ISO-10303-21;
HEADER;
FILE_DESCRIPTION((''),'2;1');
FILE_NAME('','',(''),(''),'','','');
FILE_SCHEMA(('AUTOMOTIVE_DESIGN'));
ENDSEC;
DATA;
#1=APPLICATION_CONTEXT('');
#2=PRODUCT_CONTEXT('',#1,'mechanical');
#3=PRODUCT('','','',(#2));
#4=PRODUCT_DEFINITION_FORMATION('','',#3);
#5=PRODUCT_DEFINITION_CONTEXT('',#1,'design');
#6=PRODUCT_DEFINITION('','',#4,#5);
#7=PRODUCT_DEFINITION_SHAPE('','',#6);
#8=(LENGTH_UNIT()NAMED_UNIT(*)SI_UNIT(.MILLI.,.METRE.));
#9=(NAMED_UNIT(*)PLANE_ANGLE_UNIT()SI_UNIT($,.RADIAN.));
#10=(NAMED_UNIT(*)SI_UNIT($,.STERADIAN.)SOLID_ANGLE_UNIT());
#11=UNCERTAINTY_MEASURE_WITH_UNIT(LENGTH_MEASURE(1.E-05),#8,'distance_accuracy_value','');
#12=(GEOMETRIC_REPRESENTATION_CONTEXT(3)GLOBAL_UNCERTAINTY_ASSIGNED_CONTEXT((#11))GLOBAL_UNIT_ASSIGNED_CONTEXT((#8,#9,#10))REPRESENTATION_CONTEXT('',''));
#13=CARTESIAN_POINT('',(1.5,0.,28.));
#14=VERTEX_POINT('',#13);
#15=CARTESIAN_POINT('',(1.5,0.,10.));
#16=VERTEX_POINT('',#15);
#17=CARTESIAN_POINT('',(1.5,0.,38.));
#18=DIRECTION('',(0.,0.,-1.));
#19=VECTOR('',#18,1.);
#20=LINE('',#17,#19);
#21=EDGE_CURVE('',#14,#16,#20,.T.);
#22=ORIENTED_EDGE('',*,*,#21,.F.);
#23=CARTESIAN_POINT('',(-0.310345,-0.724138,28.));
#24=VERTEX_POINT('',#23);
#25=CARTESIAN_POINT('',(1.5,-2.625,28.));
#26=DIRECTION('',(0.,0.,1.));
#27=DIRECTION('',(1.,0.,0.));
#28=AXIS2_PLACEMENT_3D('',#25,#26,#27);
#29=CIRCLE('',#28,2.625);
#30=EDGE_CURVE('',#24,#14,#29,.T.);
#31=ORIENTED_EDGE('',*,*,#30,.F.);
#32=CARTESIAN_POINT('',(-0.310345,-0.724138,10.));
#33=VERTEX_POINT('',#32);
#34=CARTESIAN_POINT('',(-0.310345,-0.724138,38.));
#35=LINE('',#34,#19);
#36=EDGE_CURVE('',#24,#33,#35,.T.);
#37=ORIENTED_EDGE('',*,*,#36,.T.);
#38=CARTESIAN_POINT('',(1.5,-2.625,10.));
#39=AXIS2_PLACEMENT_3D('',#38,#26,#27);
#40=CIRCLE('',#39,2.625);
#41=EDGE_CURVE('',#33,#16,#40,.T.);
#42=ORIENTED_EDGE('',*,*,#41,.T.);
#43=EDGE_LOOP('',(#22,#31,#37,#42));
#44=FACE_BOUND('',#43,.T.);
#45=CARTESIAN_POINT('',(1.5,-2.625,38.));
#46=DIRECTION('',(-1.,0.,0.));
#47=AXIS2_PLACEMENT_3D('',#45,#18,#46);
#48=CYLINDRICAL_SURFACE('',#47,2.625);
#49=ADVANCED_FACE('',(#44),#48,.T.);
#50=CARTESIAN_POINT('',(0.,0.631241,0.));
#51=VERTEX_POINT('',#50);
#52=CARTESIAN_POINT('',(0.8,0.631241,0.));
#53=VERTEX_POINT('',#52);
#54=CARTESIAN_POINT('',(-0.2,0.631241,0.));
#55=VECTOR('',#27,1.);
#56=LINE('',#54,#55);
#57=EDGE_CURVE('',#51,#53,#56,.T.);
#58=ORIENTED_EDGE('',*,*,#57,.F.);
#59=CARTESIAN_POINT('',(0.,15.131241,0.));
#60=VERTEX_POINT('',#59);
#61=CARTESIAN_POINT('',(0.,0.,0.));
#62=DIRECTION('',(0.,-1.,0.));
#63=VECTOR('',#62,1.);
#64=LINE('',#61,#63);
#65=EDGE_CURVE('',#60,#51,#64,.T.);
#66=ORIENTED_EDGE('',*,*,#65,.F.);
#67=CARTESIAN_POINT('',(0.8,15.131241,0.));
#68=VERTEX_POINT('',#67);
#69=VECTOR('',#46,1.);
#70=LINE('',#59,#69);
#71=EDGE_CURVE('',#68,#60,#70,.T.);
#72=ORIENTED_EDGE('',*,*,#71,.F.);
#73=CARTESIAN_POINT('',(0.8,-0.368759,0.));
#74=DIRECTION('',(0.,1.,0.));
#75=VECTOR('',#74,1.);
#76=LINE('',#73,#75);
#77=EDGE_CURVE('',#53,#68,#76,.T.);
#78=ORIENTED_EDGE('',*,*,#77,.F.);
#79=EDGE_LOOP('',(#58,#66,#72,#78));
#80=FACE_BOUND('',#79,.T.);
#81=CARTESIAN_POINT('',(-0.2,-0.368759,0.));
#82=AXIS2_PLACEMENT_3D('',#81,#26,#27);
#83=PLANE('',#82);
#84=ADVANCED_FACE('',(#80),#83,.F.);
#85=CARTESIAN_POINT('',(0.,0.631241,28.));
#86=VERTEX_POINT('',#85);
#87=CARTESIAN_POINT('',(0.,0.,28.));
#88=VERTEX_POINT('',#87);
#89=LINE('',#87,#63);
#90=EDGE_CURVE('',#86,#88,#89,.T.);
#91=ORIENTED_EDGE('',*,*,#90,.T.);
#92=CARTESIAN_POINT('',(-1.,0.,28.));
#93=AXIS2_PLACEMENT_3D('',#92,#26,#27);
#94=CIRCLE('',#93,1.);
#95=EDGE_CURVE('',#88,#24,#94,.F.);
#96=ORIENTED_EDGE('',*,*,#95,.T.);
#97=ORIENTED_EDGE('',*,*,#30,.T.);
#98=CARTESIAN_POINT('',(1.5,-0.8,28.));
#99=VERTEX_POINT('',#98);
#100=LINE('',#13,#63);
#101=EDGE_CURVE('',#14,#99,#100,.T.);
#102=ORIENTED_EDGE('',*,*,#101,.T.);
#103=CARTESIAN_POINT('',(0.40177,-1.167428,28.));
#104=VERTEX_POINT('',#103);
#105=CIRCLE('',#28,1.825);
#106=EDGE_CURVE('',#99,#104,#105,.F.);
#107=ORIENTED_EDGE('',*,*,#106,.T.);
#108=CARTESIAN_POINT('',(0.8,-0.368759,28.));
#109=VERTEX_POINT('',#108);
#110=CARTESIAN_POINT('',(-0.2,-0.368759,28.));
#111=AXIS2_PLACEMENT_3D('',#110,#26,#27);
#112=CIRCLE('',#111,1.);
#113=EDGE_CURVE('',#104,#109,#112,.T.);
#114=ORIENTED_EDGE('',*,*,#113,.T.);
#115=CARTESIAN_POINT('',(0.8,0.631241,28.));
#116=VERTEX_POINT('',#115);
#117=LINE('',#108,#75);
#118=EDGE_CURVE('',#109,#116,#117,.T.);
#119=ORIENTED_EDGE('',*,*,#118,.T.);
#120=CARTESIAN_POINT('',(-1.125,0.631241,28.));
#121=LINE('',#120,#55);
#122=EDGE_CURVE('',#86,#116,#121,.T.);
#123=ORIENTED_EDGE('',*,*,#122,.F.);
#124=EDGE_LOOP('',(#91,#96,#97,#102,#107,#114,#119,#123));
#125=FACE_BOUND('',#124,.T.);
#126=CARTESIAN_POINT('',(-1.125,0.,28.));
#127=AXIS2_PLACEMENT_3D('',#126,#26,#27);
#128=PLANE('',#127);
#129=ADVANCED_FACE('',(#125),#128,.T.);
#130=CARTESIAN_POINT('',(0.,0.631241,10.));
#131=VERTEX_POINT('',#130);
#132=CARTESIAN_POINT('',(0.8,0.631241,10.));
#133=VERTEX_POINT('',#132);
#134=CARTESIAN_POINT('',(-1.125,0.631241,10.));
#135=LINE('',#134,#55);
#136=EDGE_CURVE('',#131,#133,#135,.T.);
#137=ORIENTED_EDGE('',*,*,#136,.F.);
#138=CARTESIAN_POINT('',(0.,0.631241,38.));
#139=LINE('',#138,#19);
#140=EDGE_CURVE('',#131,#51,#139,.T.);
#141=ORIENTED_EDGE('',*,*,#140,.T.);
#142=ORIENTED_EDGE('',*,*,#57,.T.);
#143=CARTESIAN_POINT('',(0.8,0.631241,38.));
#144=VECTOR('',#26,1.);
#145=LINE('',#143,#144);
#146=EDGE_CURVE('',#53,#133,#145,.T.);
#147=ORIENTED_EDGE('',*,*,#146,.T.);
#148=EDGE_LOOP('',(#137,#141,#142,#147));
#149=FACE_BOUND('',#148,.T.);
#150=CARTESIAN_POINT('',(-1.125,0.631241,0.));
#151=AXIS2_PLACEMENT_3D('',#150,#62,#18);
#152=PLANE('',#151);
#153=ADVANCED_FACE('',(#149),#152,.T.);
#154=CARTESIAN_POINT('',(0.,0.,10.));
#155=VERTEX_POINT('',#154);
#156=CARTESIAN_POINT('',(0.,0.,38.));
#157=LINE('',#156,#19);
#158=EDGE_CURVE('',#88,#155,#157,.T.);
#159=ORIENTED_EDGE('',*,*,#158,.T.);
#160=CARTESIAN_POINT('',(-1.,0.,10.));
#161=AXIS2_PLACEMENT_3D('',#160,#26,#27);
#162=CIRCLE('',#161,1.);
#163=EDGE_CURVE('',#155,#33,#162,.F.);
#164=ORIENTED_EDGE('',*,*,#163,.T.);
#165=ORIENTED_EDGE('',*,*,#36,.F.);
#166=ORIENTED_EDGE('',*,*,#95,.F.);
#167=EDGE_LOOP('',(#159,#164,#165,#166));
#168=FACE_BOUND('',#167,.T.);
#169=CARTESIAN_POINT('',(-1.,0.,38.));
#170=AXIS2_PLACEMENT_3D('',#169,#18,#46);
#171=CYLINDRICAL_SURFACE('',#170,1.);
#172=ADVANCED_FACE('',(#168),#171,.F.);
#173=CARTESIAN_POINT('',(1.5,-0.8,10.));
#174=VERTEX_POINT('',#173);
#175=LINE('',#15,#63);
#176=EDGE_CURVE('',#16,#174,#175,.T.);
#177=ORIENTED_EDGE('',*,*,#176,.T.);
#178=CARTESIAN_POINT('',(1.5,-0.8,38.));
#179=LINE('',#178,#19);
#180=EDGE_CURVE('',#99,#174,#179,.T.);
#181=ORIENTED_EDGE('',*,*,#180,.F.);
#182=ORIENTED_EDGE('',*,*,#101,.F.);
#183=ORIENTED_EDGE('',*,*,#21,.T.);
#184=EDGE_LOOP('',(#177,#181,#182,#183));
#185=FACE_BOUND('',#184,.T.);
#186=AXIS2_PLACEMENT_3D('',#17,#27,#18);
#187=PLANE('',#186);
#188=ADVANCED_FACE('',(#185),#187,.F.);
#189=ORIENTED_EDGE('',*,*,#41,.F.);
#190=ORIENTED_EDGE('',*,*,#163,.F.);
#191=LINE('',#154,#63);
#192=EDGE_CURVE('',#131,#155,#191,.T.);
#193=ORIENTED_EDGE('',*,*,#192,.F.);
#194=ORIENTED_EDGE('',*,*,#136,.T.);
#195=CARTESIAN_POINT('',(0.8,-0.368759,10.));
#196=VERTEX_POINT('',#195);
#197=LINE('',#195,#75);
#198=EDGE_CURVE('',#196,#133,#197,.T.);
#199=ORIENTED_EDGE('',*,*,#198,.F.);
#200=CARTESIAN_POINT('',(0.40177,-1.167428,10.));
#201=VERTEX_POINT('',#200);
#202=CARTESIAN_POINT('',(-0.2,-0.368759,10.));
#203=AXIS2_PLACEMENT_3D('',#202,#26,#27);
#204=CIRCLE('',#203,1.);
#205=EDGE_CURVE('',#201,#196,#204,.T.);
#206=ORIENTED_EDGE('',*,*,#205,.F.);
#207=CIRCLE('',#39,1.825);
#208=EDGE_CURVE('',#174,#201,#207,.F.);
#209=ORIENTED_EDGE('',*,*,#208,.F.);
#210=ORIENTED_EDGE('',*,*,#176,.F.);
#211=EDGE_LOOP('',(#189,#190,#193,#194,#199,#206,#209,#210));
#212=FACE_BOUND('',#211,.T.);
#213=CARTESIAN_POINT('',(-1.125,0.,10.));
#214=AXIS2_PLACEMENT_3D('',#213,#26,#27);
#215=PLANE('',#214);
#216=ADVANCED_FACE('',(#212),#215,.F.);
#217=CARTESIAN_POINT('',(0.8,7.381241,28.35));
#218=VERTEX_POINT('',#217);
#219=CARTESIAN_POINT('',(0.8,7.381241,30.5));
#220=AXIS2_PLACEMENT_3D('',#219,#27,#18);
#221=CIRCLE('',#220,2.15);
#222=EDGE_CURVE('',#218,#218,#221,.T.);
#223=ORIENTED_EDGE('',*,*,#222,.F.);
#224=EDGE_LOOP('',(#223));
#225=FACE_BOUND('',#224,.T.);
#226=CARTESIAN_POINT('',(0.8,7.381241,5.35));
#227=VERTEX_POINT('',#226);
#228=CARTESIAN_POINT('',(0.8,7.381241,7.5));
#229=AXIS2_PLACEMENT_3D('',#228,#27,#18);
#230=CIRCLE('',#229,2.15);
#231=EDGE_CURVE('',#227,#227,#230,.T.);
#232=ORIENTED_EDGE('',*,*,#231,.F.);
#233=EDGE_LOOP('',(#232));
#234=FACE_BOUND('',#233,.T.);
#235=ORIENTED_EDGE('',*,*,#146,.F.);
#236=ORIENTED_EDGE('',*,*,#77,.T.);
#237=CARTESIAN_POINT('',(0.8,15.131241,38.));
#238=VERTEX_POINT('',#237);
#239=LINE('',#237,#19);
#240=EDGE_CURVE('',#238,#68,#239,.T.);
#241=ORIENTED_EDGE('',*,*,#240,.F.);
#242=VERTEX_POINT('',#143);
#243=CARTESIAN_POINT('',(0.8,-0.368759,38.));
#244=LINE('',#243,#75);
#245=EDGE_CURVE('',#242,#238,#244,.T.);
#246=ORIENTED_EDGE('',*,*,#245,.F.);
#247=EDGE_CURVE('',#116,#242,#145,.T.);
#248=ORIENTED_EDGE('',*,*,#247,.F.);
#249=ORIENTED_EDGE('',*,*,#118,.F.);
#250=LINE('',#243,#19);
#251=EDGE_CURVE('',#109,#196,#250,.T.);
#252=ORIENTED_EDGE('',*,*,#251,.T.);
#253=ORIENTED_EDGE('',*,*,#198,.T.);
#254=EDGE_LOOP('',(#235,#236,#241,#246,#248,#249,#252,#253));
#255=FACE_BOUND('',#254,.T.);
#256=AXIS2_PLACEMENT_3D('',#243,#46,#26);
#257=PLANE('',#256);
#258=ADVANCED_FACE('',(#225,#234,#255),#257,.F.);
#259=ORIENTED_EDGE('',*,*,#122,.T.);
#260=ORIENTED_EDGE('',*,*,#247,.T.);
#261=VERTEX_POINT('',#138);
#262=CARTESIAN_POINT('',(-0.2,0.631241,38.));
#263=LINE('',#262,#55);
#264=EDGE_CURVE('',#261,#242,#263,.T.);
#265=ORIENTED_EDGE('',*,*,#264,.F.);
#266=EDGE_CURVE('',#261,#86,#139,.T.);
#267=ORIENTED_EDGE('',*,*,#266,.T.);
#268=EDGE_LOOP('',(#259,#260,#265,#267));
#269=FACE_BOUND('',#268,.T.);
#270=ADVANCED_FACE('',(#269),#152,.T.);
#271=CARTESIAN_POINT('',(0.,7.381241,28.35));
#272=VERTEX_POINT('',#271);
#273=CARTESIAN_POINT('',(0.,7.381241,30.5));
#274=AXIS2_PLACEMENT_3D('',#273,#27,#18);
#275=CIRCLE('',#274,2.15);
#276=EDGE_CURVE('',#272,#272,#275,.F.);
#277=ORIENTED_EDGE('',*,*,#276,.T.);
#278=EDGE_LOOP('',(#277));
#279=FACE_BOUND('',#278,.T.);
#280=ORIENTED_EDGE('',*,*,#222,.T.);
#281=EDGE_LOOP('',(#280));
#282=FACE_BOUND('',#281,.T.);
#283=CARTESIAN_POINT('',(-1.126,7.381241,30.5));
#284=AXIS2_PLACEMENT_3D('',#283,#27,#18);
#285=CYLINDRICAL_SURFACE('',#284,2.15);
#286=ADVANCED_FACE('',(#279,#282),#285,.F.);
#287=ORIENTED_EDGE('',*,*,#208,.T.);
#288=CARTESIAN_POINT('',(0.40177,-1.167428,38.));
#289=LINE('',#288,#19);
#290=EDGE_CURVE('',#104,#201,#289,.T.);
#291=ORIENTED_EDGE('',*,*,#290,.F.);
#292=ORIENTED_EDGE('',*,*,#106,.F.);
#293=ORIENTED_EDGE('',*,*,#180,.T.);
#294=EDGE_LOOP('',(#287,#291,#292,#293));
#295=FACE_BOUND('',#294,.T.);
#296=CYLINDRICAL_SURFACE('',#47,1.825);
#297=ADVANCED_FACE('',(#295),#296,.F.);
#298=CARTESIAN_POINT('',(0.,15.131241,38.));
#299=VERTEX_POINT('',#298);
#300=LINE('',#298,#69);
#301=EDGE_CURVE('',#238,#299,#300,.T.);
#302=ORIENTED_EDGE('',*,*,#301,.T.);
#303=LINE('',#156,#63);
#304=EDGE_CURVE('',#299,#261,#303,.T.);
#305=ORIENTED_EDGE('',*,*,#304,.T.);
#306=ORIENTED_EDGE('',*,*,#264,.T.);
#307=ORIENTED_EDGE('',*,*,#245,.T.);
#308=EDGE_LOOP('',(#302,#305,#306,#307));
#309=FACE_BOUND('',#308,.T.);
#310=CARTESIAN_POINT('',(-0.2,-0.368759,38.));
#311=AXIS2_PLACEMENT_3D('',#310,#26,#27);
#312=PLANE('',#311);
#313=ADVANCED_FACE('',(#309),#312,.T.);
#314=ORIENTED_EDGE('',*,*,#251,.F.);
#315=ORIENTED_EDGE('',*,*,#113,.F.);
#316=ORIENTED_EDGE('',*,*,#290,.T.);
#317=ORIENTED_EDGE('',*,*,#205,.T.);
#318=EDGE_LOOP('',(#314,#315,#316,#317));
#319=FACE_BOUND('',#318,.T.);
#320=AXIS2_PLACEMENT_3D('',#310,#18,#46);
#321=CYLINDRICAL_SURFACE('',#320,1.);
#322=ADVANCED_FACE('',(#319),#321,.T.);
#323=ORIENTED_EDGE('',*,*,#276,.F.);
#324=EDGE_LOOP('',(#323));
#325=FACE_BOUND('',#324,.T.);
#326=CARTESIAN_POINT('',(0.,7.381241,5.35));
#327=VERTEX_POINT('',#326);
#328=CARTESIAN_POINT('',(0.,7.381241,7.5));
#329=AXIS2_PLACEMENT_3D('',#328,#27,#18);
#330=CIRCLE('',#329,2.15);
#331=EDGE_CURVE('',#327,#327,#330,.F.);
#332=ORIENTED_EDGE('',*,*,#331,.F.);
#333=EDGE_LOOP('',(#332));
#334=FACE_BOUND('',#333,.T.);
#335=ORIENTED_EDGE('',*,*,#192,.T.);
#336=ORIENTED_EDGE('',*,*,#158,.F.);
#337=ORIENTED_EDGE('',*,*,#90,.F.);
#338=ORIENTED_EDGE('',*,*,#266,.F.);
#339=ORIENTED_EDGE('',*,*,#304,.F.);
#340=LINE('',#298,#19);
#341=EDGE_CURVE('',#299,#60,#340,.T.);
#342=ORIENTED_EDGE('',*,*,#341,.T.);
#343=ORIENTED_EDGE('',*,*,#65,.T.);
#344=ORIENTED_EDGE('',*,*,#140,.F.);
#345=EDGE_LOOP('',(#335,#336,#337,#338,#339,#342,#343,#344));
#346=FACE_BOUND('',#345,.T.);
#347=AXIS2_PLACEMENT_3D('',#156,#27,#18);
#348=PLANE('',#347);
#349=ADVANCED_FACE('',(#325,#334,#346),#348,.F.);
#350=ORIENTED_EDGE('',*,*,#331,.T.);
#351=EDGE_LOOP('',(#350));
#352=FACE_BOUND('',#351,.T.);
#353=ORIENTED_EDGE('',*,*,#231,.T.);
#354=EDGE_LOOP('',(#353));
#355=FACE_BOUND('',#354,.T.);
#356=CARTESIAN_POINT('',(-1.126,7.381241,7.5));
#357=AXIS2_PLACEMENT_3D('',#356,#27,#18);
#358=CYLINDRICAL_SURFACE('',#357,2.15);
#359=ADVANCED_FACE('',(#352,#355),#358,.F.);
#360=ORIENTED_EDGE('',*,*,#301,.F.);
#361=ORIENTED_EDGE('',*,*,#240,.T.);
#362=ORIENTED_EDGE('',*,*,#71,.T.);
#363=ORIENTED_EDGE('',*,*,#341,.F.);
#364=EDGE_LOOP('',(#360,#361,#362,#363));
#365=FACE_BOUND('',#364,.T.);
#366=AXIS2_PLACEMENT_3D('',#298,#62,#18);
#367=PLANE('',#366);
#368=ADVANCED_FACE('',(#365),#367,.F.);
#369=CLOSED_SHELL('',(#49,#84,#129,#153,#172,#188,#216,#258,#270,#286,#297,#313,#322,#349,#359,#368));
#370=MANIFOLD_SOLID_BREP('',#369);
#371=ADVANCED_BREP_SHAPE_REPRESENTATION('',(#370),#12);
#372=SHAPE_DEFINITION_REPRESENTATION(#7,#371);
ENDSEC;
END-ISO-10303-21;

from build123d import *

# Parameters (mm, degrees)
BOSS_EXTRUDE1_DEPTH     = 38
CUT_EXTRUDE1_REACH      = 43.037
SKETCH2_R               = 2.15
CUT_EXTRUDE4_DEPTH      = 42.036691991
CUT_EXTRUDE4_DEPTH_BACK = 42.036691991
SKETCH3_W               = 10
SKETCH3_H               = 1
SKETCH3_H_2             = 4.881241343


with BuildPart() as part:
    # Sketch1 → Boss-Extrude1 (new body)
    with BuildSketch(Plane.XY):
        with BuildLine():
            Line((0.8, -0.368758657), (0.8, 15.131241343))
            Line((0.8, 15.131241343), (0, 15.131241343))
            Line((0, 15.131241343), (0, 0))
            ThreePointArc((0, 0), (-0.08085497, -0.393919299), (-0.310344828, -0.724137931))
            ThreePointArc((-0.310344828, -0.724137931), (2.474900525, -5.062251314), (1.5, 0))
            Line((1.5, 0), (1.5, -0.8))
            ThreePointArc((1.5, -0.8), (2.079032119, -4.355707025), (0.401769912, -1.167428159))
            ThreePointArc((0.401769912, -1.167428159), (0.69492176, -0.814981745), (0.8, -0.368758657))
        make_face()
    extrude(amount=BOSS_EXTRUDE1_DEPTH)

    # Sketch2 → Cut-Extrude1 (cut, up to next)
    with BuildSketch(Plane(origin=(0.8, 0, 0), x_dir=(0, 0, -1), z_dir=(1, 0, 0)), mode=Mode.PRIVATE) as cut_extrude1_sk1:
        with Locations((-30.5, 7.381241343)):
            Circle(SKETCH2_R)
    cut_extrude1_tool1 = extrude(cut_extrude1_sk1.sketch, amount=-CUT_EXTRUDE1_REACH, mode=Mode.PRIVATE) & part.part
    # Sketch2 → Cut-Extrude1 (cut, up to next)
    with BuildSketch(Plane(origin=(0.8, 0, 0), x_dir=(0, 0, -1), z_dir=(1, 0, 0)), mode=Mode.PRIVATE) as cut_extrude1_sk2:
        with Locations((-7.5, 7.381241343)):
            Circle(SKETCH2_R)
    cut_extrude1_tool2 = extrude(cut_extrude1_sk2.sketch, amount=-CUT_EXTRUDE1_REACH, mode=Mode.PRIVATE) & part.part
    add(cut_extrude1_tool1.solids().sort_by_distance((0.8, 7.381241, 30.5))[0], mode=Mode.SUBTRACT)
    add(cut_extrude1_tool2.solids().sort_by_distance((0.8, 7.381241, 7.5))[0], mode=Mode.SUBTRACT)

    # Sketch3 → Cut-Extrude4 (cut, two sides: drawn at the far end of the back side and taken through both)
    with BuildSketch(Plane(origin=(0.8, 0, 0), x_dir=(0, 0, -1), z_dir=(1, 0, 0)).offset(-CUT_EXTRUDE4_DEPTH_BACK)):
        with Locations((-33, 0.131241343)):
            Rectangle(SKETCH3_W, SKETCH3_H)
        with Locations((-33, -2.809379328)):
            Rectangle(SKETCH3_W, SKETCH3_H_2)
        with Locations((-5, 0.131241343)):
            Rectangle(SKETCH3_W, SKETCH3_H)
        with Locations((-5, -2.809379328)):
            Rectangle(SKETCH3_W, SKETCH3_H_2)
    extrude(amount=CUT_EXTRUDE4_DEPTH + CUT_EXTRUDE4_DEPTH_BACK, mode=Mode.SUBTRACT)


solid = part.part
